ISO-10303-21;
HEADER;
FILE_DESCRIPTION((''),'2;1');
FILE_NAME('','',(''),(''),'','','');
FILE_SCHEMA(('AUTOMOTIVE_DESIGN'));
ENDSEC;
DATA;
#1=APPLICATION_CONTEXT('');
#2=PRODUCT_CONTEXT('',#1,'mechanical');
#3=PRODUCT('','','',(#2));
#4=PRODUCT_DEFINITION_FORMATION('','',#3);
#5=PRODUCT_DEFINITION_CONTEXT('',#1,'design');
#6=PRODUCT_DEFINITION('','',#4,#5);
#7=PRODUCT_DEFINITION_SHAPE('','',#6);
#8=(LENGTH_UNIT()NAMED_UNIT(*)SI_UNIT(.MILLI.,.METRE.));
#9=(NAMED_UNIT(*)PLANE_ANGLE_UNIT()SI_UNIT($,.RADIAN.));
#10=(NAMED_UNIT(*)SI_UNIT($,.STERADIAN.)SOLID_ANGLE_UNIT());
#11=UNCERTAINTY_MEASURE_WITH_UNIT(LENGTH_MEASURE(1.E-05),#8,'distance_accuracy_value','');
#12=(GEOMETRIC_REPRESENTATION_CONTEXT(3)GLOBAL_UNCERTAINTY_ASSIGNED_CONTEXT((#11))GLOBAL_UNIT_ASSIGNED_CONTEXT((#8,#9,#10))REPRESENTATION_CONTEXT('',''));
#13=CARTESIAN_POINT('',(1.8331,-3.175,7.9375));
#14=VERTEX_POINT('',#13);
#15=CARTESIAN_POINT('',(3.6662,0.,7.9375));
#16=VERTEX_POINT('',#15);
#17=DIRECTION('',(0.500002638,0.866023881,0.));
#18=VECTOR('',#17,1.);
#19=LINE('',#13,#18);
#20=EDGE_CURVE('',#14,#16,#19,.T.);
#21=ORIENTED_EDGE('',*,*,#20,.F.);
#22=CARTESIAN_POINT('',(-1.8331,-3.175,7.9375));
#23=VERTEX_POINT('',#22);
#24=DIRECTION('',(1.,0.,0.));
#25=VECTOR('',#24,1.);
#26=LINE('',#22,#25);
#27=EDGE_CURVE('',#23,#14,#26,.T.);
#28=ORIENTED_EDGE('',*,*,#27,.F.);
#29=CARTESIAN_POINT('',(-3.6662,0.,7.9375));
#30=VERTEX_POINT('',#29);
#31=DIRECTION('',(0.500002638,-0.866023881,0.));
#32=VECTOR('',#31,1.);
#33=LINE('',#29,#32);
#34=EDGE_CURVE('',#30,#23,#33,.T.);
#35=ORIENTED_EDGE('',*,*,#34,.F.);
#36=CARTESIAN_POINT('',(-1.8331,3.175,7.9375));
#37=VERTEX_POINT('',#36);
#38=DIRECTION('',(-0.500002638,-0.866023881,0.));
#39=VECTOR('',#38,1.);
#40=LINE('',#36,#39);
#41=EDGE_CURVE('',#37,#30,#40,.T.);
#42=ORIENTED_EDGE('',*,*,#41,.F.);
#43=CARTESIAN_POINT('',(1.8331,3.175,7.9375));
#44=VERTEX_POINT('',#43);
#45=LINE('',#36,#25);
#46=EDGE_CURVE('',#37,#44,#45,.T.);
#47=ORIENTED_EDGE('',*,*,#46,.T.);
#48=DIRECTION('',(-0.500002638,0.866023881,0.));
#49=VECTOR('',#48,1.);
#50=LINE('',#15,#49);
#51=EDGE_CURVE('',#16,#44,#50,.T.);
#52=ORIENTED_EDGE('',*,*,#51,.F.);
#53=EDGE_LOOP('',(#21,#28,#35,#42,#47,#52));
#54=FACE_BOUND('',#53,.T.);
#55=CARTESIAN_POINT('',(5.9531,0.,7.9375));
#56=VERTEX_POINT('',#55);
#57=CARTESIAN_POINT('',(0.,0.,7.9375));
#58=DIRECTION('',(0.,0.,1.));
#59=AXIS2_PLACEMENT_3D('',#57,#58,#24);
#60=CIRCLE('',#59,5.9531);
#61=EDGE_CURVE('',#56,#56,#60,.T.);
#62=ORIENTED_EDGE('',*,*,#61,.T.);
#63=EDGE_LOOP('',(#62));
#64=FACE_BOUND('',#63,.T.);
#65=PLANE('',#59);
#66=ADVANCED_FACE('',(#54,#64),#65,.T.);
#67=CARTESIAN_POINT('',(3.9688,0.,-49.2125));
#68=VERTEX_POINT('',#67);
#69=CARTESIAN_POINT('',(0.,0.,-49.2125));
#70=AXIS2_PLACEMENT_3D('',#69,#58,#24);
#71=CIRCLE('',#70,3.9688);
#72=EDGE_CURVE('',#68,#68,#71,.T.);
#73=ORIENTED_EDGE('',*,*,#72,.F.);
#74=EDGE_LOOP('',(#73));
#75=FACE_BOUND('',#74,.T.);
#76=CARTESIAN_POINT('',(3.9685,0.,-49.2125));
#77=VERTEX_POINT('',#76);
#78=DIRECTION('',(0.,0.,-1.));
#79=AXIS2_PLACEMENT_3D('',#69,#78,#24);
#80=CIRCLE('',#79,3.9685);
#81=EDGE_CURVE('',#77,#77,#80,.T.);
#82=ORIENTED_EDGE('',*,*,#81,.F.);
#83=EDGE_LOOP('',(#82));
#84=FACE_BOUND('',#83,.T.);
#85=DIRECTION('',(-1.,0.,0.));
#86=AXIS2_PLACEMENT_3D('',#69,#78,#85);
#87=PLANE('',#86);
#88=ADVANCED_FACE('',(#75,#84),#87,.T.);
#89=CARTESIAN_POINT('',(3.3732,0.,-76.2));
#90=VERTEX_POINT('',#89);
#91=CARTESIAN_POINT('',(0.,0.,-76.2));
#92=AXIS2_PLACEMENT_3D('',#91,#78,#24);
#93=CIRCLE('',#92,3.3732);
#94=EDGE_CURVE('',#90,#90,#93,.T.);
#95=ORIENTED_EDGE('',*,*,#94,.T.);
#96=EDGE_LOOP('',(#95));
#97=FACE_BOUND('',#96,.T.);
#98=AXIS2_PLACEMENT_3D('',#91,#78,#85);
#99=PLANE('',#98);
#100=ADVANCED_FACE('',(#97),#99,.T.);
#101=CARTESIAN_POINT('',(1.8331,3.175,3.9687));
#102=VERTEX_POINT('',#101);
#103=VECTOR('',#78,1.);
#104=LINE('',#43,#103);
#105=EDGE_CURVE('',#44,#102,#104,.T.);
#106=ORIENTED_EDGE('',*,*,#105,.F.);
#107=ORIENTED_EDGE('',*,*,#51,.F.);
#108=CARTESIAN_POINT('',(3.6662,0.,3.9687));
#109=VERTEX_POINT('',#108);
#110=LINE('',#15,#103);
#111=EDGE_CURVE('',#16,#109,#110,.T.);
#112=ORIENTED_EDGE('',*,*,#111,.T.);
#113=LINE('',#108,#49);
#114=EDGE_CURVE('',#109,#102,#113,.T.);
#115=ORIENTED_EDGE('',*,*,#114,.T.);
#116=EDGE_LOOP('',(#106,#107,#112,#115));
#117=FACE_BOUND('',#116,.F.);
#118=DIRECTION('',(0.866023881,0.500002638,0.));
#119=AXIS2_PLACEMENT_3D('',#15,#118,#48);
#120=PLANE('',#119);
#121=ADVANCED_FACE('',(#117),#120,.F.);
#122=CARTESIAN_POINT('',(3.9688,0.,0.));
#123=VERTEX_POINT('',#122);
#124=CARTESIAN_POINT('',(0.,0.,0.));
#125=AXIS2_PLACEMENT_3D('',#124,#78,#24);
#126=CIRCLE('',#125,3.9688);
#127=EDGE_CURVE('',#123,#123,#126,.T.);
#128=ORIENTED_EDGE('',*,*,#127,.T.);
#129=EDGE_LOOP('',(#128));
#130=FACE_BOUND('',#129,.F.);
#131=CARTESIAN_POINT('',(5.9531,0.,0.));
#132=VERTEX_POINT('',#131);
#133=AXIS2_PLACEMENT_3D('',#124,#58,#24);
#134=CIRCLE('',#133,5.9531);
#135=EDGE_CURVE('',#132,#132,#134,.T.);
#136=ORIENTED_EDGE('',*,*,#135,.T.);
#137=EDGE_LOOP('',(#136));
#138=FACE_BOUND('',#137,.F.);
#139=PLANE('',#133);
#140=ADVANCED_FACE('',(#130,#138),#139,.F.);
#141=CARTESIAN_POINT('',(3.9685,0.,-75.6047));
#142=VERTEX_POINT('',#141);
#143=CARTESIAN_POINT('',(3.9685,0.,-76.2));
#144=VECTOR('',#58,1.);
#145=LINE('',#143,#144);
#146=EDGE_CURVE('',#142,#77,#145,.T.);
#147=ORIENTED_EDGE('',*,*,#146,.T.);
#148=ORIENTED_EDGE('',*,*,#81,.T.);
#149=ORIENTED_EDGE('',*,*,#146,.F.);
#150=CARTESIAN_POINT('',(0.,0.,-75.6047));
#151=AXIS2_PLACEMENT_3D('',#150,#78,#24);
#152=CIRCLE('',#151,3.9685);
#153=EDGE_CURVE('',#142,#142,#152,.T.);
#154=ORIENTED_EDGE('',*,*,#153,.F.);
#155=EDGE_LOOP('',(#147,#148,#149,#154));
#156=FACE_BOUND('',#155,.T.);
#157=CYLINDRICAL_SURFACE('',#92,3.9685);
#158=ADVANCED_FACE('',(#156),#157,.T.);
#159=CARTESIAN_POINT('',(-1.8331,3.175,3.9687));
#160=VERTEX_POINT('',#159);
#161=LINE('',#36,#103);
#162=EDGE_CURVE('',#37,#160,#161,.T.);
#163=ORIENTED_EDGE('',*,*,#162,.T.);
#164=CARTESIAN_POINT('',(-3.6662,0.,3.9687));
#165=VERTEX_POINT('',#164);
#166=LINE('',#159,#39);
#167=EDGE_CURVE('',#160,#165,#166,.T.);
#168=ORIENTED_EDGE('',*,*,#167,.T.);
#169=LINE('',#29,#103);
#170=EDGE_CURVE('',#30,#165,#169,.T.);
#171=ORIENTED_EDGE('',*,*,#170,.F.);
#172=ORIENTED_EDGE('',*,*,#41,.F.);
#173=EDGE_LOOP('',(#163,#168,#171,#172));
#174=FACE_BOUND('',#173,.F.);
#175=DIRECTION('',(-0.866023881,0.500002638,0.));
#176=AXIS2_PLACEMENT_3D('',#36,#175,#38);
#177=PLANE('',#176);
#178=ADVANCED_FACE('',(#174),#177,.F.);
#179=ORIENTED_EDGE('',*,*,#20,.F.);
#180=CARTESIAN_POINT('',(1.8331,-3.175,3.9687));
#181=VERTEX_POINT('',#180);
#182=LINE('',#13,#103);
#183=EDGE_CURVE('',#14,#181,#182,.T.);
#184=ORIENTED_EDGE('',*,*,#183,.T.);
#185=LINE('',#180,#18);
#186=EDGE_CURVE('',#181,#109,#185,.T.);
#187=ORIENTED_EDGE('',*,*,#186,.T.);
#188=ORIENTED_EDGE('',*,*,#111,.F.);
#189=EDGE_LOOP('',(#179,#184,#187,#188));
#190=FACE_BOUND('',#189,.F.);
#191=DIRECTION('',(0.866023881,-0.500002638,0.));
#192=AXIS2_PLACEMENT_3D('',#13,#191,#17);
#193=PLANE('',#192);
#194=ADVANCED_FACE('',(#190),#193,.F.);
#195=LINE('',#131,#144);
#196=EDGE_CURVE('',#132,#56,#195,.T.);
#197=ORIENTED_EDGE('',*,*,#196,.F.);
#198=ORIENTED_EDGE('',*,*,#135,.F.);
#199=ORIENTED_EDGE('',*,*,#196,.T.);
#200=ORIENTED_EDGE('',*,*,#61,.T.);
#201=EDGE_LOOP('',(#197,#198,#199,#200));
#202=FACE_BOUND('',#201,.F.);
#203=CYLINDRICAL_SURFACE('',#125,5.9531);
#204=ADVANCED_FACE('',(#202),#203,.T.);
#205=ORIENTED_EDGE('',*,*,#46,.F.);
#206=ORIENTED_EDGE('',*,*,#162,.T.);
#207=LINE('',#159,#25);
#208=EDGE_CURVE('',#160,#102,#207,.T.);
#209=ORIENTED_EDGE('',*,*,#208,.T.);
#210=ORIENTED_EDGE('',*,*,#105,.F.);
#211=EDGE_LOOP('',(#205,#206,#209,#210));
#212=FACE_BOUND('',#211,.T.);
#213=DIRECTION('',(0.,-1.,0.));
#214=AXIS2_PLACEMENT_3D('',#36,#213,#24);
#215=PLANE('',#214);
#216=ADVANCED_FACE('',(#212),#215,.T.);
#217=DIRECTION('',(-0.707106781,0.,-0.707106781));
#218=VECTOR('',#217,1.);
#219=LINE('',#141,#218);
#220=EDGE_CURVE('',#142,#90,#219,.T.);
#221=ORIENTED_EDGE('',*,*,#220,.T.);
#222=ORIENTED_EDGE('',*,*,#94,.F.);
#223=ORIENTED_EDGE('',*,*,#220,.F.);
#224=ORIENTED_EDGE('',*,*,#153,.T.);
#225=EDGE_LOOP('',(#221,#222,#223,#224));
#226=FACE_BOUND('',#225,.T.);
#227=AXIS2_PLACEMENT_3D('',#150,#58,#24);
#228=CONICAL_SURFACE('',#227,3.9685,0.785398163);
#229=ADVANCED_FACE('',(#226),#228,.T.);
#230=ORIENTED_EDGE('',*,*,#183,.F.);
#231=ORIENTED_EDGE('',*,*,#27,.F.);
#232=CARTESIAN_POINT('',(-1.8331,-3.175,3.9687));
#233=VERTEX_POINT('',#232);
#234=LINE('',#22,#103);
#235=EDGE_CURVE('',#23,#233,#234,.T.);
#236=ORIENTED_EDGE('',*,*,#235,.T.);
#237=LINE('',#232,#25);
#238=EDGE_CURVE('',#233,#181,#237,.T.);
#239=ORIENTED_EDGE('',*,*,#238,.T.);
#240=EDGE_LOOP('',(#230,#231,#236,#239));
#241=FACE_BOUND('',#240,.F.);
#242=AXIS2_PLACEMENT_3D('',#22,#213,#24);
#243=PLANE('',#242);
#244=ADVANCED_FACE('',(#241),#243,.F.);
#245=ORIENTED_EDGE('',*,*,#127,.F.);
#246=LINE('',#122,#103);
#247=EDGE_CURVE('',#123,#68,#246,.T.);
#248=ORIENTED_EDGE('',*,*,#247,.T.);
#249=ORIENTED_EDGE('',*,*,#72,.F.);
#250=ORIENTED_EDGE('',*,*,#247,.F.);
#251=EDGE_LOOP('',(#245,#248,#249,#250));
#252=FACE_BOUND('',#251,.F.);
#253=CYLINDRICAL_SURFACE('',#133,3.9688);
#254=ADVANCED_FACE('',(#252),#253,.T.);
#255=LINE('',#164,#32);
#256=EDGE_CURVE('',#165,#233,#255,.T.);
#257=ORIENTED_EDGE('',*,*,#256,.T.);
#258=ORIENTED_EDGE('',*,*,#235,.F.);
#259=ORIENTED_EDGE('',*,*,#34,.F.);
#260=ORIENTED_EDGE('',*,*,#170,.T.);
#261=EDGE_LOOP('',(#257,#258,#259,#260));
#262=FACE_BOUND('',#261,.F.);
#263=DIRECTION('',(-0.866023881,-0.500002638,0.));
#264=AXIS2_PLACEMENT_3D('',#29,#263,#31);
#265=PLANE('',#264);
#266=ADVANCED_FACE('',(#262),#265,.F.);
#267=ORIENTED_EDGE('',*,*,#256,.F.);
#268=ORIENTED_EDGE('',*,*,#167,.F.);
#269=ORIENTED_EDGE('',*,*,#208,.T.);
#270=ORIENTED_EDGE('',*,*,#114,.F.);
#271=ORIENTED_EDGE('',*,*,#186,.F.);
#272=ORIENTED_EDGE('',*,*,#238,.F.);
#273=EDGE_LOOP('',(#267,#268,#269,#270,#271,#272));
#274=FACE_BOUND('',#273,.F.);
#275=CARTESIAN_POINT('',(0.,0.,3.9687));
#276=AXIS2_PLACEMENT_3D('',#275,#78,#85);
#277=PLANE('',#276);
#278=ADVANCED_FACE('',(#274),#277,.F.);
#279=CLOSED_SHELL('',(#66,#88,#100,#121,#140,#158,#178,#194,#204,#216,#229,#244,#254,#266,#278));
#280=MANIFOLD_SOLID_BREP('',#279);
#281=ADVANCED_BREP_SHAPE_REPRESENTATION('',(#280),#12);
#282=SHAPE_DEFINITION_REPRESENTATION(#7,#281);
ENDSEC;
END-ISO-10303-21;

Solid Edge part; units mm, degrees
sketch "Sketch1" plane through (0, 0, 0) normal (0, 0, 1) x (1, 0, 0)
  circle A0 centre (0, 0) radius 5.9531
  dimension "D1" = 11.9062
extrude "Protrusion1" add sketch "Sketch1" along normal blind 7.9375
sketch "Sketch2" plane through (0, 0, 0) normal (0, 0, -1) x (1, 0, 0)
  circle A0 centre (0, 0) radius 3.9688
extrude "Protrusion2" add sketch "Sketch2" along normal blind 76.2
sketch "Sketch3" plane through (0, 0, -76.2) normal (0, 0, -1) x (1, 0, 0)
  circle A0 centre (0, 0) radius 3.9685
extrude "Cutout1" cut sketch "Sketch3" against normal blind 26.9875 flip side to cut
chamfer "Chamfer_1" distance 0.5953 angle 45 1 edges at (-3.9685, 0, -76.2)
sketch "Sketch4" plane through (0, 0, 7.9375) normal (0, 0, 1) x (1, 0, 0)
  line L0 (-1.8331, 3.175) -> (1.8331, 3.175)
  line L1 (3.6662, 0) -> (1.8331, 3.175)
  line L2 (1.8331, -3.175) -> (3.6662, 0)
  line L3 (-1.8331, -3.175) -> (1.8331, -3.175)
  line L4 (-3.6662, 0) -> (-1.8331, -3.175)
  line L5 (-1.8331, 3.175) -> (-3.6662, 0)
  dimension "D1" = 6.35
extrude "Cutout2" cut sketch "Sketch4" against normal blind 3.9688
properties part number "123398"
